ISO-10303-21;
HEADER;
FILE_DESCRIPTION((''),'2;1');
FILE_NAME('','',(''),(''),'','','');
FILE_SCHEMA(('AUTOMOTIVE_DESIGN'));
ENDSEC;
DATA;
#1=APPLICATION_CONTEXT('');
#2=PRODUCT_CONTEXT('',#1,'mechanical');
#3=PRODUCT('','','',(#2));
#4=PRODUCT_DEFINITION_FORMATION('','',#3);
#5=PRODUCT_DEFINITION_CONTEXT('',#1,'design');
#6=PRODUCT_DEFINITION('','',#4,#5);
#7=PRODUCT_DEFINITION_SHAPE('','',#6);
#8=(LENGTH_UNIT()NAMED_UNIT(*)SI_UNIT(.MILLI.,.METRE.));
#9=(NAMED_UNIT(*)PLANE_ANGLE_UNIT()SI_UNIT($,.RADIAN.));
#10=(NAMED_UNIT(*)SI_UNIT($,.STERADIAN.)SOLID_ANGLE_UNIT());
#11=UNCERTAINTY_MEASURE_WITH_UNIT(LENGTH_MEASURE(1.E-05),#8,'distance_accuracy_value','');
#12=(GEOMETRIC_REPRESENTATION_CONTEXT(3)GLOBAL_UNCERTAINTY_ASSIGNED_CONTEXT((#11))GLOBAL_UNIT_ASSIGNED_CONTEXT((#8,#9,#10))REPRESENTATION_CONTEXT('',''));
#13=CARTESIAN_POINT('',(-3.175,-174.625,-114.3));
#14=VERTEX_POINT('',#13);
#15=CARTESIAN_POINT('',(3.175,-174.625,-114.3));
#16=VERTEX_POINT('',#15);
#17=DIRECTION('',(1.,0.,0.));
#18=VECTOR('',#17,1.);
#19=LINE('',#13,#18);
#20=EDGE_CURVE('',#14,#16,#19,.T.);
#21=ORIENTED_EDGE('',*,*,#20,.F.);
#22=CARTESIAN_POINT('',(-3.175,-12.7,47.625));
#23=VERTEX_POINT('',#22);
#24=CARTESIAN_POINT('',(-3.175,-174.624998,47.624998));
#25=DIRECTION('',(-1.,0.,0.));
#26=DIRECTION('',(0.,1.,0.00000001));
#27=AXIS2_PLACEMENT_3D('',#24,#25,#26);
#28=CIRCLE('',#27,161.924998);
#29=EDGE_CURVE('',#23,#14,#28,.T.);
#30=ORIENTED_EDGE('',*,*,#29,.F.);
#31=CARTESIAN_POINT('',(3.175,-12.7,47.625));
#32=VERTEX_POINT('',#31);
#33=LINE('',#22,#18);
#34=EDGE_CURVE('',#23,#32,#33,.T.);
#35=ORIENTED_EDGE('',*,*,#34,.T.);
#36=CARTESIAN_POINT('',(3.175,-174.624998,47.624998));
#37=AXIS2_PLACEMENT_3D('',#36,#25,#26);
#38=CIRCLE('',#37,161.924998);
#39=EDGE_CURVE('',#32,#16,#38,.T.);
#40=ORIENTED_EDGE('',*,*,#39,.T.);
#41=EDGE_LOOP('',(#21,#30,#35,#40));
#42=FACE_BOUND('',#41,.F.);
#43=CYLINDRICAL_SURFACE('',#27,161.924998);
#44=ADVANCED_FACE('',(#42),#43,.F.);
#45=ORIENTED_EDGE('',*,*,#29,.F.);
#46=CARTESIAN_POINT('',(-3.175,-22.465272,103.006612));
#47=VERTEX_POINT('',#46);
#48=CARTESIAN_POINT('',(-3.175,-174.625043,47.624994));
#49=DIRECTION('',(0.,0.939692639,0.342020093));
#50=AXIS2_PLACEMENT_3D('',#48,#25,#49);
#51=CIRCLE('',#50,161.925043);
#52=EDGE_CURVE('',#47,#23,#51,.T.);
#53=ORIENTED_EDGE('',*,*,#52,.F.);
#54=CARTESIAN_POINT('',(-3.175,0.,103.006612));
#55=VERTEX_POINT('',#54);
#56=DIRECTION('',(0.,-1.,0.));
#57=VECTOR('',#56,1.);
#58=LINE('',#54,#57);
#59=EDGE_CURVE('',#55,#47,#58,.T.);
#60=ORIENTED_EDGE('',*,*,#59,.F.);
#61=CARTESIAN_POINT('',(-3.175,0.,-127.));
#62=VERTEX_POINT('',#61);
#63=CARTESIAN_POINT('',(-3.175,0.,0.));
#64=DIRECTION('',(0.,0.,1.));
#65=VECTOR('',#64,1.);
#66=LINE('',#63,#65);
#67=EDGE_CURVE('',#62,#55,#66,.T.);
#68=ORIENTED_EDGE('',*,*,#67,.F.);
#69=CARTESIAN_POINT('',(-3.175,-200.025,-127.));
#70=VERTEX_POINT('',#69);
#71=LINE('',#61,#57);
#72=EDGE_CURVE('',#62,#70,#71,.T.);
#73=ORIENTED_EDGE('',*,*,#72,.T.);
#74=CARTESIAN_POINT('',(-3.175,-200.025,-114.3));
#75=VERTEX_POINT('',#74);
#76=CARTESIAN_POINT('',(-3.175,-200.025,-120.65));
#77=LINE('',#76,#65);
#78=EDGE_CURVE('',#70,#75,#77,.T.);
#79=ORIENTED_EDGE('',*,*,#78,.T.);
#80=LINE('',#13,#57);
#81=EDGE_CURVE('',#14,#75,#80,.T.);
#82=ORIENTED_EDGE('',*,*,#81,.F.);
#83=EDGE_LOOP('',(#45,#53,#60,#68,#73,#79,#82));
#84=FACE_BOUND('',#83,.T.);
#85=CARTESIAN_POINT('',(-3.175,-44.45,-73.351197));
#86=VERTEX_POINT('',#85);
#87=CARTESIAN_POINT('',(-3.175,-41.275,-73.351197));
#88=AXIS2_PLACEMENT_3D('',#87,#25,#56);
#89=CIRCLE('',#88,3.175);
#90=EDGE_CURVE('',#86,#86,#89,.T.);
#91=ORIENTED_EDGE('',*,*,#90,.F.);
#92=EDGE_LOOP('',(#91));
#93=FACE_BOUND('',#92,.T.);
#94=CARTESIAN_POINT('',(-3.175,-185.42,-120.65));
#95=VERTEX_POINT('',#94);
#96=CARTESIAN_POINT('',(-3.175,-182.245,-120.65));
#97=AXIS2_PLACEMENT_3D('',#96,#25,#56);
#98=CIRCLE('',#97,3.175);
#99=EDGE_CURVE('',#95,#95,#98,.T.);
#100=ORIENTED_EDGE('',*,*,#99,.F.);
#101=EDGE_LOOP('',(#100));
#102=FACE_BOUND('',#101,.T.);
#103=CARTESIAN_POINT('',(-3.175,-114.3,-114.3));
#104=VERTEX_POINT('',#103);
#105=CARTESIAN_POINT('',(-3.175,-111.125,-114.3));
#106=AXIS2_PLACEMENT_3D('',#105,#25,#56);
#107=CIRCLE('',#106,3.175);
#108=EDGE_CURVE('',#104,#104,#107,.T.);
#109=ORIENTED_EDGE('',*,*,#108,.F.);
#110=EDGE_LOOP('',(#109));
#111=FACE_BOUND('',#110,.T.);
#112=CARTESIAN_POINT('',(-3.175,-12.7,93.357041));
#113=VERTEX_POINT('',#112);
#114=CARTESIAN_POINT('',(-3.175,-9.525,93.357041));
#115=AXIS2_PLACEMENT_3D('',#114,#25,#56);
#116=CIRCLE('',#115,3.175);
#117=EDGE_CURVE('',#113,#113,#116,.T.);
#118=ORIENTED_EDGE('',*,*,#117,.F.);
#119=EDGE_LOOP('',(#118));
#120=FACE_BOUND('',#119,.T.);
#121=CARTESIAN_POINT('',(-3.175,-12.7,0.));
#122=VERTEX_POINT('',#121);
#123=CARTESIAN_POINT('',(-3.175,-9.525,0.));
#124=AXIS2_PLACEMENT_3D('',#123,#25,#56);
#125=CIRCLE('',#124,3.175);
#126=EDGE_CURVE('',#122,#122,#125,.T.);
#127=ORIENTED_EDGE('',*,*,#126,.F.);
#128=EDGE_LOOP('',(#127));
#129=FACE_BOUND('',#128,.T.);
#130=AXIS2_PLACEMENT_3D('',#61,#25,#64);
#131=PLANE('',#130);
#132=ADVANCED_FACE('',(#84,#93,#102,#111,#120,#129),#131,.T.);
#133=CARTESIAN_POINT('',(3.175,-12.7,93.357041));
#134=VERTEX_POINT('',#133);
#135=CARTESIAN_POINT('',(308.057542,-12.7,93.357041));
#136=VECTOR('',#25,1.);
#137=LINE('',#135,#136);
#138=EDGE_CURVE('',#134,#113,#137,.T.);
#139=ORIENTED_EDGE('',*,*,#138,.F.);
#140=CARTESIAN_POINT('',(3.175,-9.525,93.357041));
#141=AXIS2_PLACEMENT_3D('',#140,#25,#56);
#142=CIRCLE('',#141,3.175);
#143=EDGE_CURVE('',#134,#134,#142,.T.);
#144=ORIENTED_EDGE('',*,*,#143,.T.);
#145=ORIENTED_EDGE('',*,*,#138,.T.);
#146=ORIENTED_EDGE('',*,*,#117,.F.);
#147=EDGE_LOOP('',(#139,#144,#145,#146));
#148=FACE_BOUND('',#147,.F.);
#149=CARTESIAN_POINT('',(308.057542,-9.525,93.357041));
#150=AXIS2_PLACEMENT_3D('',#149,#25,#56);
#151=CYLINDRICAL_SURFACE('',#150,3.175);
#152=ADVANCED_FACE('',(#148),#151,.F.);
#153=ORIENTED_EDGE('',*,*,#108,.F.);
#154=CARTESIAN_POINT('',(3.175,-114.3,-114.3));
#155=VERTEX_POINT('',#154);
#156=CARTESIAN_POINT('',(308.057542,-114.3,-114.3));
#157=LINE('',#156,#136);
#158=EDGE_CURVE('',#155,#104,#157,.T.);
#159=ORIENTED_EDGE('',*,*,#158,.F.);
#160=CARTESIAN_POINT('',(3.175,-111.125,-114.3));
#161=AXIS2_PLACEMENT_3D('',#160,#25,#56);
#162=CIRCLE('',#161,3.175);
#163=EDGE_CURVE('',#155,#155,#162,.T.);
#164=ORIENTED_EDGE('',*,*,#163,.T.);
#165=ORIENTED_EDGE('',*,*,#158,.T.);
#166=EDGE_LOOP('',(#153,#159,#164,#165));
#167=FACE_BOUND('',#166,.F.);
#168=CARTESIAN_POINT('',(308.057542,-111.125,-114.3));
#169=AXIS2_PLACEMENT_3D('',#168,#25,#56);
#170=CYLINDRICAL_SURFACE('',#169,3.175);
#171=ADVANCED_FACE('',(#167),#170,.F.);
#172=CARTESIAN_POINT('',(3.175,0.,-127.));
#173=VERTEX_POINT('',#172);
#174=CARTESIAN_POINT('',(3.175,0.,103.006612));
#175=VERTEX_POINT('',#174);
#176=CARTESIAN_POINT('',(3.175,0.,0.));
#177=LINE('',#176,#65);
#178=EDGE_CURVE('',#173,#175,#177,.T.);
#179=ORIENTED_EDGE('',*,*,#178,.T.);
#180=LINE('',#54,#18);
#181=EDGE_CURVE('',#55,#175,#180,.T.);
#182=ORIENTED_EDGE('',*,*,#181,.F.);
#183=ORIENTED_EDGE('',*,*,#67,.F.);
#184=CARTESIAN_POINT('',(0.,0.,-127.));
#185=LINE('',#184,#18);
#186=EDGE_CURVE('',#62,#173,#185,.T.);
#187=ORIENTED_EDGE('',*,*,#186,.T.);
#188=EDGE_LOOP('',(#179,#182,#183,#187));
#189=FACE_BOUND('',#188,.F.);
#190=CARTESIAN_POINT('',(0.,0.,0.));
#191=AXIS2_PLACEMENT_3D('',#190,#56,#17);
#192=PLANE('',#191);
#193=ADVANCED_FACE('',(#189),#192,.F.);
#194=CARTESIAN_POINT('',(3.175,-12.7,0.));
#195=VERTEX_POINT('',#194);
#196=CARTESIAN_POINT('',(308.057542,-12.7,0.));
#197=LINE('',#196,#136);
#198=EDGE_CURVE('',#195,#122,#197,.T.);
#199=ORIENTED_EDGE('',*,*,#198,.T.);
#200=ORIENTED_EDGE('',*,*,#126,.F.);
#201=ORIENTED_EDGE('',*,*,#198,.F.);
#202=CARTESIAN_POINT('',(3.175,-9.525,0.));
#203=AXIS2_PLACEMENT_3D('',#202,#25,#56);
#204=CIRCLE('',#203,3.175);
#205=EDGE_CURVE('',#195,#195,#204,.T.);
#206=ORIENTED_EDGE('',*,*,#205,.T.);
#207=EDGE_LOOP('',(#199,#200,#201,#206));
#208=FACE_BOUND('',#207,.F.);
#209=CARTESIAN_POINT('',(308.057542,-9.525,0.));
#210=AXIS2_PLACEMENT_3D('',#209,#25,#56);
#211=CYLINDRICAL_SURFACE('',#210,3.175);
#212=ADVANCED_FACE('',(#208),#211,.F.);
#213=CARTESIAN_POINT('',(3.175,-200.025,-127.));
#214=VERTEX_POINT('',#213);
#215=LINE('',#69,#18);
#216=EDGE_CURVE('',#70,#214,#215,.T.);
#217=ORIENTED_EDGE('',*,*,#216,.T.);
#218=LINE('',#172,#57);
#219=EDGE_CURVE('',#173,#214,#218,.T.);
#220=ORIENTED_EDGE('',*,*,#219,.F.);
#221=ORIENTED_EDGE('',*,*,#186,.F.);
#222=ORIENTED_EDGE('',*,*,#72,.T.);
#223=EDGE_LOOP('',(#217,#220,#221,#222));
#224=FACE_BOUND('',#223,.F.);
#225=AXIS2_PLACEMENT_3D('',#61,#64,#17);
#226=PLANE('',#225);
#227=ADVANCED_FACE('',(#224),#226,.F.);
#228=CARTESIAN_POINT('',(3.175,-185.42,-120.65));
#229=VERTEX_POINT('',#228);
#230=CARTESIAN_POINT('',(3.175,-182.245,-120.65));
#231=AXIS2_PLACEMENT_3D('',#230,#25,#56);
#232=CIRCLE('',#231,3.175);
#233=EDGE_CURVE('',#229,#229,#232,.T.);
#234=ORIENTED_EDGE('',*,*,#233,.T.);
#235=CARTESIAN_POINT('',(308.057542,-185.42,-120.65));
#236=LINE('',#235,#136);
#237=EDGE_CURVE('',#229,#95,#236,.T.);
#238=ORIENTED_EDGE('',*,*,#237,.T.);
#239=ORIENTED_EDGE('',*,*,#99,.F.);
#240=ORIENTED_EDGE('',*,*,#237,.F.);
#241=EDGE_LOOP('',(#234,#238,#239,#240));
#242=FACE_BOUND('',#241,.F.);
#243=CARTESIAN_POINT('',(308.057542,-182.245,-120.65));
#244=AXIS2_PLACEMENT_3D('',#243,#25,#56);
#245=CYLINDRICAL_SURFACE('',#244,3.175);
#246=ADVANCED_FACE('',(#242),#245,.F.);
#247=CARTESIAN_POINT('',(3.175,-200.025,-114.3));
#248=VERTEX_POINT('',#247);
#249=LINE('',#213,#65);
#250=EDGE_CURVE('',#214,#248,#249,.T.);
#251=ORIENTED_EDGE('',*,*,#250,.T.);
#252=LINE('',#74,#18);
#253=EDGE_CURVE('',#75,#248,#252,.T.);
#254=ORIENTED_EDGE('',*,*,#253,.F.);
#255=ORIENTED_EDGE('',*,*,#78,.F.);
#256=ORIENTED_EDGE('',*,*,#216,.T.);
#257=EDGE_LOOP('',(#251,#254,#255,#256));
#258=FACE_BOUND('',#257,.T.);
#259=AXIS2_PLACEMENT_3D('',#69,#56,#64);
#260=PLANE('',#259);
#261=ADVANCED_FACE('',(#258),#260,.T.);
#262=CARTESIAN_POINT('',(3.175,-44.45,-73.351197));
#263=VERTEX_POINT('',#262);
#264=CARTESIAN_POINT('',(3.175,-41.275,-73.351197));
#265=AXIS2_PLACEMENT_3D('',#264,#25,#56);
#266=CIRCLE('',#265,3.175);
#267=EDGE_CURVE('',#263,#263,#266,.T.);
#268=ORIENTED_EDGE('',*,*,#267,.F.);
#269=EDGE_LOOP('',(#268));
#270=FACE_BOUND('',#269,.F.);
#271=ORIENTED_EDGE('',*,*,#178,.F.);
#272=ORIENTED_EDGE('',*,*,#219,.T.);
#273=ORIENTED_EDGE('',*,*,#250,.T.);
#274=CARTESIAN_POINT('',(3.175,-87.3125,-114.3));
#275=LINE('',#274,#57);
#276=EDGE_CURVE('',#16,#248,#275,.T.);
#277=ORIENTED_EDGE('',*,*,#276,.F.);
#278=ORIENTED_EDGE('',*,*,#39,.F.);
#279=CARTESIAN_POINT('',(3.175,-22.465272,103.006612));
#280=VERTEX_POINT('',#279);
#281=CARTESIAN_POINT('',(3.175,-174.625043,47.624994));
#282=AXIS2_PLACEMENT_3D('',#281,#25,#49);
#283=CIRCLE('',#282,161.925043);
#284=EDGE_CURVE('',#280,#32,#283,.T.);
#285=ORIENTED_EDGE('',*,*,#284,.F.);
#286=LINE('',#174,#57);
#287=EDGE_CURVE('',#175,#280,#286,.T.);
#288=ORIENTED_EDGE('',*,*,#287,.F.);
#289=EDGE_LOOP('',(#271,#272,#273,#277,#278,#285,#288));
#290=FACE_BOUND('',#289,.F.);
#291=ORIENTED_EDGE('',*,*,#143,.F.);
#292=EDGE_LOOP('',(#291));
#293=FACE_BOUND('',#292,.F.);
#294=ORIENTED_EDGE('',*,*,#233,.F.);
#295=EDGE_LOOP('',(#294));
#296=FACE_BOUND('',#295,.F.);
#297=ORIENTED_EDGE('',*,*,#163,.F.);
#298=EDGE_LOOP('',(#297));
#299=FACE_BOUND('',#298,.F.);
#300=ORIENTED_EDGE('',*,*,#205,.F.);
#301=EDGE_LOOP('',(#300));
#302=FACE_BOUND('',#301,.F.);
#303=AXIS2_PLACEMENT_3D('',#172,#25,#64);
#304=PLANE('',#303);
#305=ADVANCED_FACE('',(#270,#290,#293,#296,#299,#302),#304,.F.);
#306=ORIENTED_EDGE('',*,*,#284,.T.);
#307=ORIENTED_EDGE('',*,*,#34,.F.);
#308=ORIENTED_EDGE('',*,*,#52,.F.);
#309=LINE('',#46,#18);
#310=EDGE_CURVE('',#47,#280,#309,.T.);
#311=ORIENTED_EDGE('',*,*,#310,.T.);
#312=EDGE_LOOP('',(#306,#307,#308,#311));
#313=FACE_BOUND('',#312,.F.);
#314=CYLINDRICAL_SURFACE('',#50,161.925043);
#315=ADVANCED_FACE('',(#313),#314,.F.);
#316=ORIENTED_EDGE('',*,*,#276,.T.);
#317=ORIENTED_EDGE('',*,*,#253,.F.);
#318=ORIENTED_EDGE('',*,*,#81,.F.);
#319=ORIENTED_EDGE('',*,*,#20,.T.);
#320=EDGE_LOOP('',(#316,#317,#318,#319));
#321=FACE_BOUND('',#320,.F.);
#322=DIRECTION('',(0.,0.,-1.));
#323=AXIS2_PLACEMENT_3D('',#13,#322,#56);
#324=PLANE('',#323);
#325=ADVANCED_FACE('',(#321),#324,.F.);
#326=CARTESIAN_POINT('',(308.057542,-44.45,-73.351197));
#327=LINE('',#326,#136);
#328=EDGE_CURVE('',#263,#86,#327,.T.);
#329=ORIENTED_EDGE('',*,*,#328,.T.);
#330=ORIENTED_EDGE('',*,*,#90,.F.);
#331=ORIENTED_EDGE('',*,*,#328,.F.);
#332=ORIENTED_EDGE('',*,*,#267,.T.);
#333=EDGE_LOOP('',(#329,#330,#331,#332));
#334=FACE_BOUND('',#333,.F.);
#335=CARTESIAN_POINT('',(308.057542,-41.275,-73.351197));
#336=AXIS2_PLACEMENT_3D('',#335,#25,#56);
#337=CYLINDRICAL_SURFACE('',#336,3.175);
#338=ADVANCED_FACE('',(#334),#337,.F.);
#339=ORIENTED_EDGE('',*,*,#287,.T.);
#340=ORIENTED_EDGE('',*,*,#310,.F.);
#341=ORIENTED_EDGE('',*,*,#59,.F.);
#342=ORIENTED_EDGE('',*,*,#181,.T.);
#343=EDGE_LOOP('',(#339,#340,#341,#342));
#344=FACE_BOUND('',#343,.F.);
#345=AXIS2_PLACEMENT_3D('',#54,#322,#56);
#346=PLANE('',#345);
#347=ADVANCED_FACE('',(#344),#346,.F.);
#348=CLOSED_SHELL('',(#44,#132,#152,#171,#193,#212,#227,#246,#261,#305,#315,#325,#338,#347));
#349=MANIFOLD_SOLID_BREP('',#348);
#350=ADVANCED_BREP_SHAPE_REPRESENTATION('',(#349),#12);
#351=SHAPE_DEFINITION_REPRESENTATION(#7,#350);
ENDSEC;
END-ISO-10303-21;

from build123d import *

# Parameters (mm, degrees)
F0_W     = 6.35
F0_H     = 254
F1_DEPTH = 279.4
F3_DEPTH = 25.4
F4_W     = 79.375
F4_H     = 12.7
F5_DEPTH = 25.4
F7_D     = 6.35


with BuildPart() as f1:
    # F0 (on Front) → F1 (new body)
    with BuildSketch(Plane.XZ):
        Rectangle(F0_W, F0_H)
    extrude(amount=F1_DEPTH)

    # F2 (on face) → F3 (cut)
    with BuildSketch(Plane(origin=(-3.175, 0, 0), x_dir=(0, -1, 0), z_dir=(-1, 0, 0))):
        with BuildLine():
            Line((0, 103.006612), (22.465272, 103.006612))
            Line((22.465272, 103.006612), (174.625, 47.625))
            Line((174.625, 47.625), (12.7, 47.625))
            ThreePointArc((12.7, 47.625), (60.126734, -66.873266), (174.625, -114.3))
            Line((174.625, -114.3), (279.4, -114.3))
            Line((279.4, -114.3), (279.4, 127))
            Line((279.4, 127), (0, 127))
            Line((0, 127), (0, 103.006612))
        make_face()
        with BuildLine():
            Line((174.625, 47.625), (22.465272, 103.006612))
            ThreePointArc((22.465272, 103.006612), (15.160005, 75.742981), (12.7, 47.625))
            Line((12.7, 47.625), (174.625, 47.625))
        make_face()
    extrude(amount=-F3_DEPTH, mode=Mode.SUBTRACT)

    # F4 (on face) → F5 (cut)
    with BuildSketch(Plane(origin=(-3.175, 0, 0), x_dir=(0, -1, 0), z_dir=(-1, 0, 0))):
        with Locations((239.7125, -120.65)):
            Rectangle(F4_W, F4_H)
    extrude(amount=-F5_DEPTH, mode=Mode.SUBTRACT)

    # F7 (through all)
    with Locations(Plane.YZ.offset(3.175)):
        with Locations((-9.525, 93.357041), (-9.525, 0), (-41.275, -73.351197), (-111.125, -114.3), (-182.245, -120.65)):
            Hole(F7_D / 2)


solid = f1.part
